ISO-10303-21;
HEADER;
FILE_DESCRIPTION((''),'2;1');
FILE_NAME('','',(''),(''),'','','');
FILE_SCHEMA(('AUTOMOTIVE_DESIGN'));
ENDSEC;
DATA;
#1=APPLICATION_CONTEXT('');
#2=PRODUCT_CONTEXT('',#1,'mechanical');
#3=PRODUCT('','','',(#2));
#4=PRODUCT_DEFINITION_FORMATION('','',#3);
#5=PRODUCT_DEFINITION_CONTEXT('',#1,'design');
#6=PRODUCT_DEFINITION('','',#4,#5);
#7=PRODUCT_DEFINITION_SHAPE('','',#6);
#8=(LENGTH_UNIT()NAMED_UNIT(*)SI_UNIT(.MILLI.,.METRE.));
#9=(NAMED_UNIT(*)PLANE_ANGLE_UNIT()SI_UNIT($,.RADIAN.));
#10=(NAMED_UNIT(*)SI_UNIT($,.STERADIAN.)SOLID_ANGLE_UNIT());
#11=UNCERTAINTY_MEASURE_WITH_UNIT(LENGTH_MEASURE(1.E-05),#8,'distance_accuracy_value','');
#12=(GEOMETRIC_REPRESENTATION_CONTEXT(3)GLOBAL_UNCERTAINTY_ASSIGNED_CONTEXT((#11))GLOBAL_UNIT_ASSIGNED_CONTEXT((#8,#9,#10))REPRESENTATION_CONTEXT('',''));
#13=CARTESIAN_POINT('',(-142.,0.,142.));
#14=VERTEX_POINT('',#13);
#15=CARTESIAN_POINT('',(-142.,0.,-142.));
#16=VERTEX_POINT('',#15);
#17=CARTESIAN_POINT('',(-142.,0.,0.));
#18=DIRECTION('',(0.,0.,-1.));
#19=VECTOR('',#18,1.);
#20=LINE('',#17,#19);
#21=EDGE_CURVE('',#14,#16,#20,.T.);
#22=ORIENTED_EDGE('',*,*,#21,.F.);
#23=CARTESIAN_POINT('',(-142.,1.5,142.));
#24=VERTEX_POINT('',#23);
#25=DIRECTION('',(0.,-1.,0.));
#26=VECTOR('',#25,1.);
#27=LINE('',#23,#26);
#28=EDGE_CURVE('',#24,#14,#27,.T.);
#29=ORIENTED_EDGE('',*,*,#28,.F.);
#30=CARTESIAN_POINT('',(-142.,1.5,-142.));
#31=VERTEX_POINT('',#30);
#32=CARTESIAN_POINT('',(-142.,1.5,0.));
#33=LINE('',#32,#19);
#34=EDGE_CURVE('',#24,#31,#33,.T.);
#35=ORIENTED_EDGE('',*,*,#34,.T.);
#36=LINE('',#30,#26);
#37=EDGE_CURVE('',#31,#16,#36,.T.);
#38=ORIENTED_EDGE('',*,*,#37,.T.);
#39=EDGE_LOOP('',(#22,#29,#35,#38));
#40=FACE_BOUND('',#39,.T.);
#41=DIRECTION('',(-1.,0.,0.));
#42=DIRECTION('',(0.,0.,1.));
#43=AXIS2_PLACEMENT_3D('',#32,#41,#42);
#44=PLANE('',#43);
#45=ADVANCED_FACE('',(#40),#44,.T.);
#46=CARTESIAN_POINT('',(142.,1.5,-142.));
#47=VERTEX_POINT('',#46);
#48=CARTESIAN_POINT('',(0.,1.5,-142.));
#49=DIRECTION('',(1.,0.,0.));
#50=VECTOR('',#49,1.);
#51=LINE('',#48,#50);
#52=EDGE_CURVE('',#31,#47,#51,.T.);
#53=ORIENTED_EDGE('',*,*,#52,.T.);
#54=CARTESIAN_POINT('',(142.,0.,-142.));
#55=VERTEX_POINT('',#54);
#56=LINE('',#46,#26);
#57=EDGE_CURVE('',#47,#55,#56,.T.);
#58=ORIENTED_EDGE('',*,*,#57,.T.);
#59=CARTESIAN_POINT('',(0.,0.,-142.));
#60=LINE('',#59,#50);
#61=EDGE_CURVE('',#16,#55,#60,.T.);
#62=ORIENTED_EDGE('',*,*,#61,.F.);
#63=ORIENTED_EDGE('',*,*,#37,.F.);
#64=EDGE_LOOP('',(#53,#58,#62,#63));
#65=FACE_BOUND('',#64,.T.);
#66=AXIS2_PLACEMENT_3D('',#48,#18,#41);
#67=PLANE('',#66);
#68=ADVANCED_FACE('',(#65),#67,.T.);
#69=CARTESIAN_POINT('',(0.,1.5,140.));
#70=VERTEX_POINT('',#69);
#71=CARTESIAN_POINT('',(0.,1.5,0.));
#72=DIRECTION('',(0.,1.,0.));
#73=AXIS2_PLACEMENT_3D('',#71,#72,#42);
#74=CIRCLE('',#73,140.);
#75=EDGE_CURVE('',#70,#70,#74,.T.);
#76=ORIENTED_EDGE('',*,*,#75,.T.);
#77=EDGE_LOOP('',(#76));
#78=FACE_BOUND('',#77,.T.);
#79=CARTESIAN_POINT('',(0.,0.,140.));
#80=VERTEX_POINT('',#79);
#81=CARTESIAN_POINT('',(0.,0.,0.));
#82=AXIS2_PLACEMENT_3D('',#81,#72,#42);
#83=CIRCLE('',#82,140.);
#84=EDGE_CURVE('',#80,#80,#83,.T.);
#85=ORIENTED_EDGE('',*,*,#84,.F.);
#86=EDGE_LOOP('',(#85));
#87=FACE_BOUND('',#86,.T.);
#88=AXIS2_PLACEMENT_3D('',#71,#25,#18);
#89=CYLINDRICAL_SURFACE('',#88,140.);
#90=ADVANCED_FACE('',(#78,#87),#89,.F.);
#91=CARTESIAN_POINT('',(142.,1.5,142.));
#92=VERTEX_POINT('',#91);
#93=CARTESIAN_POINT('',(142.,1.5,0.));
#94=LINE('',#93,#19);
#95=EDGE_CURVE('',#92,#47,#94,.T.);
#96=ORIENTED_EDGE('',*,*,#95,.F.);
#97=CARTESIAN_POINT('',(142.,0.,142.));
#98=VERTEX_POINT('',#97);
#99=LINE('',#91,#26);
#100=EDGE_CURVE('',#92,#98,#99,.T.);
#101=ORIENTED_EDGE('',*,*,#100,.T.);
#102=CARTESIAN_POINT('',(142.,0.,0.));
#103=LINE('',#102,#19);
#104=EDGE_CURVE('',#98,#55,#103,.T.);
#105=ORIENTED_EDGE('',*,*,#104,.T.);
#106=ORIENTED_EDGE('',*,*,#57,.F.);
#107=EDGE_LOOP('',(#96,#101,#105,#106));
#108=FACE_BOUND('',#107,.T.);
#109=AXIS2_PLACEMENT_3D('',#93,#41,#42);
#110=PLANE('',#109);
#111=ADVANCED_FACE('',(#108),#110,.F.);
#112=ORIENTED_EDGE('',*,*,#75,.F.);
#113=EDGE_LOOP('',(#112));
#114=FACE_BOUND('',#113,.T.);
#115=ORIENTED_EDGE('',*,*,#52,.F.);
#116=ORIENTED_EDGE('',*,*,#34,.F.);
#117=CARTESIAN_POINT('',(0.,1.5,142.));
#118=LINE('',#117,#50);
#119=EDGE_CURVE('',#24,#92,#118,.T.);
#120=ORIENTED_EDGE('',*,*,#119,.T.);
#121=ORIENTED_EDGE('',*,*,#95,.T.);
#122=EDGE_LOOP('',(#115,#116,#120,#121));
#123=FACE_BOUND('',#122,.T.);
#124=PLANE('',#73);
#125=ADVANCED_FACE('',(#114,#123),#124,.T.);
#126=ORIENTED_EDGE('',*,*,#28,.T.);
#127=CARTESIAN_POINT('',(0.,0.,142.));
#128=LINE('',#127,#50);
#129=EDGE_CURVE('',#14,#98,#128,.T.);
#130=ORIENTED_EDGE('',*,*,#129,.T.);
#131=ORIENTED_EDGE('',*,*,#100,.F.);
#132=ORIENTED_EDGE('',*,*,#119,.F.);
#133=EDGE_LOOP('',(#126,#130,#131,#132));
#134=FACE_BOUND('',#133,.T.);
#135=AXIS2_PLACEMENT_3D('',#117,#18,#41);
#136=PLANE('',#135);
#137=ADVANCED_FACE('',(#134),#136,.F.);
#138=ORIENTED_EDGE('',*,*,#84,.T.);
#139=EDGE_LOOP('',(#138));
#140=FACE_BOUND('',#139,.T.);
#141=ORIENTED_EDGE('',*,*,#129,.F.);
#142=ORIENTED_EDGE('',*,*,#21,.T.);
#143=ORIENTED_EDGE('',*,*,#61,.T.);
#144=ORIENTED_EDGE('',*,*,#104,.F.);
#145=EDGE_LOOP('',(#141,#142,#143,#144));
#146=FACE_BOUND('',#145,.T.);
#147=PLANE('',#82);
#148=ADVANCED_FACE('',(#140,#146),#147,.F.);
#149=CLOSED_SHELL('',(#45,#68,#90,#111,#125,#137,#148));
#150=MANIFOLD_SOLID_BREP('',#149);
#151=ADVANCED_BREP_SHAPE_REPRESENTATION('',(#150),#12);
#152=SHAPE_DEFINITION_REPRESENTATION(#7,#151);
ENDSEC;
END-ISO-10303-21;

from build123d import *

# Parameters (mm, degrees)
SKETCH1_W           = 284
SKETCH1_H           = 284
SKETCH1_R           = 140
BOSS_EXTRUDE1_DEPTH = 1.5


with BuildPart() as part:
    # Sketch1 → Boss-Extrude1 (new body)
    with BuildSketch(Plane(origin=(0, 0, 0), x_dir=(1, 0, 0), z_dir=(0, 1, 0))):
        Rectangle(SKETCH1_W, SKETCH1_H)
        with Locations(Location((0, 0, 0), (0, 0, 270))):
            Circle(SKETCH1_R, mode=Mode.SUBTRACT)
    extrude(amount=BOSS_EXTRUDE1_DEPTH)


solid = part.part
